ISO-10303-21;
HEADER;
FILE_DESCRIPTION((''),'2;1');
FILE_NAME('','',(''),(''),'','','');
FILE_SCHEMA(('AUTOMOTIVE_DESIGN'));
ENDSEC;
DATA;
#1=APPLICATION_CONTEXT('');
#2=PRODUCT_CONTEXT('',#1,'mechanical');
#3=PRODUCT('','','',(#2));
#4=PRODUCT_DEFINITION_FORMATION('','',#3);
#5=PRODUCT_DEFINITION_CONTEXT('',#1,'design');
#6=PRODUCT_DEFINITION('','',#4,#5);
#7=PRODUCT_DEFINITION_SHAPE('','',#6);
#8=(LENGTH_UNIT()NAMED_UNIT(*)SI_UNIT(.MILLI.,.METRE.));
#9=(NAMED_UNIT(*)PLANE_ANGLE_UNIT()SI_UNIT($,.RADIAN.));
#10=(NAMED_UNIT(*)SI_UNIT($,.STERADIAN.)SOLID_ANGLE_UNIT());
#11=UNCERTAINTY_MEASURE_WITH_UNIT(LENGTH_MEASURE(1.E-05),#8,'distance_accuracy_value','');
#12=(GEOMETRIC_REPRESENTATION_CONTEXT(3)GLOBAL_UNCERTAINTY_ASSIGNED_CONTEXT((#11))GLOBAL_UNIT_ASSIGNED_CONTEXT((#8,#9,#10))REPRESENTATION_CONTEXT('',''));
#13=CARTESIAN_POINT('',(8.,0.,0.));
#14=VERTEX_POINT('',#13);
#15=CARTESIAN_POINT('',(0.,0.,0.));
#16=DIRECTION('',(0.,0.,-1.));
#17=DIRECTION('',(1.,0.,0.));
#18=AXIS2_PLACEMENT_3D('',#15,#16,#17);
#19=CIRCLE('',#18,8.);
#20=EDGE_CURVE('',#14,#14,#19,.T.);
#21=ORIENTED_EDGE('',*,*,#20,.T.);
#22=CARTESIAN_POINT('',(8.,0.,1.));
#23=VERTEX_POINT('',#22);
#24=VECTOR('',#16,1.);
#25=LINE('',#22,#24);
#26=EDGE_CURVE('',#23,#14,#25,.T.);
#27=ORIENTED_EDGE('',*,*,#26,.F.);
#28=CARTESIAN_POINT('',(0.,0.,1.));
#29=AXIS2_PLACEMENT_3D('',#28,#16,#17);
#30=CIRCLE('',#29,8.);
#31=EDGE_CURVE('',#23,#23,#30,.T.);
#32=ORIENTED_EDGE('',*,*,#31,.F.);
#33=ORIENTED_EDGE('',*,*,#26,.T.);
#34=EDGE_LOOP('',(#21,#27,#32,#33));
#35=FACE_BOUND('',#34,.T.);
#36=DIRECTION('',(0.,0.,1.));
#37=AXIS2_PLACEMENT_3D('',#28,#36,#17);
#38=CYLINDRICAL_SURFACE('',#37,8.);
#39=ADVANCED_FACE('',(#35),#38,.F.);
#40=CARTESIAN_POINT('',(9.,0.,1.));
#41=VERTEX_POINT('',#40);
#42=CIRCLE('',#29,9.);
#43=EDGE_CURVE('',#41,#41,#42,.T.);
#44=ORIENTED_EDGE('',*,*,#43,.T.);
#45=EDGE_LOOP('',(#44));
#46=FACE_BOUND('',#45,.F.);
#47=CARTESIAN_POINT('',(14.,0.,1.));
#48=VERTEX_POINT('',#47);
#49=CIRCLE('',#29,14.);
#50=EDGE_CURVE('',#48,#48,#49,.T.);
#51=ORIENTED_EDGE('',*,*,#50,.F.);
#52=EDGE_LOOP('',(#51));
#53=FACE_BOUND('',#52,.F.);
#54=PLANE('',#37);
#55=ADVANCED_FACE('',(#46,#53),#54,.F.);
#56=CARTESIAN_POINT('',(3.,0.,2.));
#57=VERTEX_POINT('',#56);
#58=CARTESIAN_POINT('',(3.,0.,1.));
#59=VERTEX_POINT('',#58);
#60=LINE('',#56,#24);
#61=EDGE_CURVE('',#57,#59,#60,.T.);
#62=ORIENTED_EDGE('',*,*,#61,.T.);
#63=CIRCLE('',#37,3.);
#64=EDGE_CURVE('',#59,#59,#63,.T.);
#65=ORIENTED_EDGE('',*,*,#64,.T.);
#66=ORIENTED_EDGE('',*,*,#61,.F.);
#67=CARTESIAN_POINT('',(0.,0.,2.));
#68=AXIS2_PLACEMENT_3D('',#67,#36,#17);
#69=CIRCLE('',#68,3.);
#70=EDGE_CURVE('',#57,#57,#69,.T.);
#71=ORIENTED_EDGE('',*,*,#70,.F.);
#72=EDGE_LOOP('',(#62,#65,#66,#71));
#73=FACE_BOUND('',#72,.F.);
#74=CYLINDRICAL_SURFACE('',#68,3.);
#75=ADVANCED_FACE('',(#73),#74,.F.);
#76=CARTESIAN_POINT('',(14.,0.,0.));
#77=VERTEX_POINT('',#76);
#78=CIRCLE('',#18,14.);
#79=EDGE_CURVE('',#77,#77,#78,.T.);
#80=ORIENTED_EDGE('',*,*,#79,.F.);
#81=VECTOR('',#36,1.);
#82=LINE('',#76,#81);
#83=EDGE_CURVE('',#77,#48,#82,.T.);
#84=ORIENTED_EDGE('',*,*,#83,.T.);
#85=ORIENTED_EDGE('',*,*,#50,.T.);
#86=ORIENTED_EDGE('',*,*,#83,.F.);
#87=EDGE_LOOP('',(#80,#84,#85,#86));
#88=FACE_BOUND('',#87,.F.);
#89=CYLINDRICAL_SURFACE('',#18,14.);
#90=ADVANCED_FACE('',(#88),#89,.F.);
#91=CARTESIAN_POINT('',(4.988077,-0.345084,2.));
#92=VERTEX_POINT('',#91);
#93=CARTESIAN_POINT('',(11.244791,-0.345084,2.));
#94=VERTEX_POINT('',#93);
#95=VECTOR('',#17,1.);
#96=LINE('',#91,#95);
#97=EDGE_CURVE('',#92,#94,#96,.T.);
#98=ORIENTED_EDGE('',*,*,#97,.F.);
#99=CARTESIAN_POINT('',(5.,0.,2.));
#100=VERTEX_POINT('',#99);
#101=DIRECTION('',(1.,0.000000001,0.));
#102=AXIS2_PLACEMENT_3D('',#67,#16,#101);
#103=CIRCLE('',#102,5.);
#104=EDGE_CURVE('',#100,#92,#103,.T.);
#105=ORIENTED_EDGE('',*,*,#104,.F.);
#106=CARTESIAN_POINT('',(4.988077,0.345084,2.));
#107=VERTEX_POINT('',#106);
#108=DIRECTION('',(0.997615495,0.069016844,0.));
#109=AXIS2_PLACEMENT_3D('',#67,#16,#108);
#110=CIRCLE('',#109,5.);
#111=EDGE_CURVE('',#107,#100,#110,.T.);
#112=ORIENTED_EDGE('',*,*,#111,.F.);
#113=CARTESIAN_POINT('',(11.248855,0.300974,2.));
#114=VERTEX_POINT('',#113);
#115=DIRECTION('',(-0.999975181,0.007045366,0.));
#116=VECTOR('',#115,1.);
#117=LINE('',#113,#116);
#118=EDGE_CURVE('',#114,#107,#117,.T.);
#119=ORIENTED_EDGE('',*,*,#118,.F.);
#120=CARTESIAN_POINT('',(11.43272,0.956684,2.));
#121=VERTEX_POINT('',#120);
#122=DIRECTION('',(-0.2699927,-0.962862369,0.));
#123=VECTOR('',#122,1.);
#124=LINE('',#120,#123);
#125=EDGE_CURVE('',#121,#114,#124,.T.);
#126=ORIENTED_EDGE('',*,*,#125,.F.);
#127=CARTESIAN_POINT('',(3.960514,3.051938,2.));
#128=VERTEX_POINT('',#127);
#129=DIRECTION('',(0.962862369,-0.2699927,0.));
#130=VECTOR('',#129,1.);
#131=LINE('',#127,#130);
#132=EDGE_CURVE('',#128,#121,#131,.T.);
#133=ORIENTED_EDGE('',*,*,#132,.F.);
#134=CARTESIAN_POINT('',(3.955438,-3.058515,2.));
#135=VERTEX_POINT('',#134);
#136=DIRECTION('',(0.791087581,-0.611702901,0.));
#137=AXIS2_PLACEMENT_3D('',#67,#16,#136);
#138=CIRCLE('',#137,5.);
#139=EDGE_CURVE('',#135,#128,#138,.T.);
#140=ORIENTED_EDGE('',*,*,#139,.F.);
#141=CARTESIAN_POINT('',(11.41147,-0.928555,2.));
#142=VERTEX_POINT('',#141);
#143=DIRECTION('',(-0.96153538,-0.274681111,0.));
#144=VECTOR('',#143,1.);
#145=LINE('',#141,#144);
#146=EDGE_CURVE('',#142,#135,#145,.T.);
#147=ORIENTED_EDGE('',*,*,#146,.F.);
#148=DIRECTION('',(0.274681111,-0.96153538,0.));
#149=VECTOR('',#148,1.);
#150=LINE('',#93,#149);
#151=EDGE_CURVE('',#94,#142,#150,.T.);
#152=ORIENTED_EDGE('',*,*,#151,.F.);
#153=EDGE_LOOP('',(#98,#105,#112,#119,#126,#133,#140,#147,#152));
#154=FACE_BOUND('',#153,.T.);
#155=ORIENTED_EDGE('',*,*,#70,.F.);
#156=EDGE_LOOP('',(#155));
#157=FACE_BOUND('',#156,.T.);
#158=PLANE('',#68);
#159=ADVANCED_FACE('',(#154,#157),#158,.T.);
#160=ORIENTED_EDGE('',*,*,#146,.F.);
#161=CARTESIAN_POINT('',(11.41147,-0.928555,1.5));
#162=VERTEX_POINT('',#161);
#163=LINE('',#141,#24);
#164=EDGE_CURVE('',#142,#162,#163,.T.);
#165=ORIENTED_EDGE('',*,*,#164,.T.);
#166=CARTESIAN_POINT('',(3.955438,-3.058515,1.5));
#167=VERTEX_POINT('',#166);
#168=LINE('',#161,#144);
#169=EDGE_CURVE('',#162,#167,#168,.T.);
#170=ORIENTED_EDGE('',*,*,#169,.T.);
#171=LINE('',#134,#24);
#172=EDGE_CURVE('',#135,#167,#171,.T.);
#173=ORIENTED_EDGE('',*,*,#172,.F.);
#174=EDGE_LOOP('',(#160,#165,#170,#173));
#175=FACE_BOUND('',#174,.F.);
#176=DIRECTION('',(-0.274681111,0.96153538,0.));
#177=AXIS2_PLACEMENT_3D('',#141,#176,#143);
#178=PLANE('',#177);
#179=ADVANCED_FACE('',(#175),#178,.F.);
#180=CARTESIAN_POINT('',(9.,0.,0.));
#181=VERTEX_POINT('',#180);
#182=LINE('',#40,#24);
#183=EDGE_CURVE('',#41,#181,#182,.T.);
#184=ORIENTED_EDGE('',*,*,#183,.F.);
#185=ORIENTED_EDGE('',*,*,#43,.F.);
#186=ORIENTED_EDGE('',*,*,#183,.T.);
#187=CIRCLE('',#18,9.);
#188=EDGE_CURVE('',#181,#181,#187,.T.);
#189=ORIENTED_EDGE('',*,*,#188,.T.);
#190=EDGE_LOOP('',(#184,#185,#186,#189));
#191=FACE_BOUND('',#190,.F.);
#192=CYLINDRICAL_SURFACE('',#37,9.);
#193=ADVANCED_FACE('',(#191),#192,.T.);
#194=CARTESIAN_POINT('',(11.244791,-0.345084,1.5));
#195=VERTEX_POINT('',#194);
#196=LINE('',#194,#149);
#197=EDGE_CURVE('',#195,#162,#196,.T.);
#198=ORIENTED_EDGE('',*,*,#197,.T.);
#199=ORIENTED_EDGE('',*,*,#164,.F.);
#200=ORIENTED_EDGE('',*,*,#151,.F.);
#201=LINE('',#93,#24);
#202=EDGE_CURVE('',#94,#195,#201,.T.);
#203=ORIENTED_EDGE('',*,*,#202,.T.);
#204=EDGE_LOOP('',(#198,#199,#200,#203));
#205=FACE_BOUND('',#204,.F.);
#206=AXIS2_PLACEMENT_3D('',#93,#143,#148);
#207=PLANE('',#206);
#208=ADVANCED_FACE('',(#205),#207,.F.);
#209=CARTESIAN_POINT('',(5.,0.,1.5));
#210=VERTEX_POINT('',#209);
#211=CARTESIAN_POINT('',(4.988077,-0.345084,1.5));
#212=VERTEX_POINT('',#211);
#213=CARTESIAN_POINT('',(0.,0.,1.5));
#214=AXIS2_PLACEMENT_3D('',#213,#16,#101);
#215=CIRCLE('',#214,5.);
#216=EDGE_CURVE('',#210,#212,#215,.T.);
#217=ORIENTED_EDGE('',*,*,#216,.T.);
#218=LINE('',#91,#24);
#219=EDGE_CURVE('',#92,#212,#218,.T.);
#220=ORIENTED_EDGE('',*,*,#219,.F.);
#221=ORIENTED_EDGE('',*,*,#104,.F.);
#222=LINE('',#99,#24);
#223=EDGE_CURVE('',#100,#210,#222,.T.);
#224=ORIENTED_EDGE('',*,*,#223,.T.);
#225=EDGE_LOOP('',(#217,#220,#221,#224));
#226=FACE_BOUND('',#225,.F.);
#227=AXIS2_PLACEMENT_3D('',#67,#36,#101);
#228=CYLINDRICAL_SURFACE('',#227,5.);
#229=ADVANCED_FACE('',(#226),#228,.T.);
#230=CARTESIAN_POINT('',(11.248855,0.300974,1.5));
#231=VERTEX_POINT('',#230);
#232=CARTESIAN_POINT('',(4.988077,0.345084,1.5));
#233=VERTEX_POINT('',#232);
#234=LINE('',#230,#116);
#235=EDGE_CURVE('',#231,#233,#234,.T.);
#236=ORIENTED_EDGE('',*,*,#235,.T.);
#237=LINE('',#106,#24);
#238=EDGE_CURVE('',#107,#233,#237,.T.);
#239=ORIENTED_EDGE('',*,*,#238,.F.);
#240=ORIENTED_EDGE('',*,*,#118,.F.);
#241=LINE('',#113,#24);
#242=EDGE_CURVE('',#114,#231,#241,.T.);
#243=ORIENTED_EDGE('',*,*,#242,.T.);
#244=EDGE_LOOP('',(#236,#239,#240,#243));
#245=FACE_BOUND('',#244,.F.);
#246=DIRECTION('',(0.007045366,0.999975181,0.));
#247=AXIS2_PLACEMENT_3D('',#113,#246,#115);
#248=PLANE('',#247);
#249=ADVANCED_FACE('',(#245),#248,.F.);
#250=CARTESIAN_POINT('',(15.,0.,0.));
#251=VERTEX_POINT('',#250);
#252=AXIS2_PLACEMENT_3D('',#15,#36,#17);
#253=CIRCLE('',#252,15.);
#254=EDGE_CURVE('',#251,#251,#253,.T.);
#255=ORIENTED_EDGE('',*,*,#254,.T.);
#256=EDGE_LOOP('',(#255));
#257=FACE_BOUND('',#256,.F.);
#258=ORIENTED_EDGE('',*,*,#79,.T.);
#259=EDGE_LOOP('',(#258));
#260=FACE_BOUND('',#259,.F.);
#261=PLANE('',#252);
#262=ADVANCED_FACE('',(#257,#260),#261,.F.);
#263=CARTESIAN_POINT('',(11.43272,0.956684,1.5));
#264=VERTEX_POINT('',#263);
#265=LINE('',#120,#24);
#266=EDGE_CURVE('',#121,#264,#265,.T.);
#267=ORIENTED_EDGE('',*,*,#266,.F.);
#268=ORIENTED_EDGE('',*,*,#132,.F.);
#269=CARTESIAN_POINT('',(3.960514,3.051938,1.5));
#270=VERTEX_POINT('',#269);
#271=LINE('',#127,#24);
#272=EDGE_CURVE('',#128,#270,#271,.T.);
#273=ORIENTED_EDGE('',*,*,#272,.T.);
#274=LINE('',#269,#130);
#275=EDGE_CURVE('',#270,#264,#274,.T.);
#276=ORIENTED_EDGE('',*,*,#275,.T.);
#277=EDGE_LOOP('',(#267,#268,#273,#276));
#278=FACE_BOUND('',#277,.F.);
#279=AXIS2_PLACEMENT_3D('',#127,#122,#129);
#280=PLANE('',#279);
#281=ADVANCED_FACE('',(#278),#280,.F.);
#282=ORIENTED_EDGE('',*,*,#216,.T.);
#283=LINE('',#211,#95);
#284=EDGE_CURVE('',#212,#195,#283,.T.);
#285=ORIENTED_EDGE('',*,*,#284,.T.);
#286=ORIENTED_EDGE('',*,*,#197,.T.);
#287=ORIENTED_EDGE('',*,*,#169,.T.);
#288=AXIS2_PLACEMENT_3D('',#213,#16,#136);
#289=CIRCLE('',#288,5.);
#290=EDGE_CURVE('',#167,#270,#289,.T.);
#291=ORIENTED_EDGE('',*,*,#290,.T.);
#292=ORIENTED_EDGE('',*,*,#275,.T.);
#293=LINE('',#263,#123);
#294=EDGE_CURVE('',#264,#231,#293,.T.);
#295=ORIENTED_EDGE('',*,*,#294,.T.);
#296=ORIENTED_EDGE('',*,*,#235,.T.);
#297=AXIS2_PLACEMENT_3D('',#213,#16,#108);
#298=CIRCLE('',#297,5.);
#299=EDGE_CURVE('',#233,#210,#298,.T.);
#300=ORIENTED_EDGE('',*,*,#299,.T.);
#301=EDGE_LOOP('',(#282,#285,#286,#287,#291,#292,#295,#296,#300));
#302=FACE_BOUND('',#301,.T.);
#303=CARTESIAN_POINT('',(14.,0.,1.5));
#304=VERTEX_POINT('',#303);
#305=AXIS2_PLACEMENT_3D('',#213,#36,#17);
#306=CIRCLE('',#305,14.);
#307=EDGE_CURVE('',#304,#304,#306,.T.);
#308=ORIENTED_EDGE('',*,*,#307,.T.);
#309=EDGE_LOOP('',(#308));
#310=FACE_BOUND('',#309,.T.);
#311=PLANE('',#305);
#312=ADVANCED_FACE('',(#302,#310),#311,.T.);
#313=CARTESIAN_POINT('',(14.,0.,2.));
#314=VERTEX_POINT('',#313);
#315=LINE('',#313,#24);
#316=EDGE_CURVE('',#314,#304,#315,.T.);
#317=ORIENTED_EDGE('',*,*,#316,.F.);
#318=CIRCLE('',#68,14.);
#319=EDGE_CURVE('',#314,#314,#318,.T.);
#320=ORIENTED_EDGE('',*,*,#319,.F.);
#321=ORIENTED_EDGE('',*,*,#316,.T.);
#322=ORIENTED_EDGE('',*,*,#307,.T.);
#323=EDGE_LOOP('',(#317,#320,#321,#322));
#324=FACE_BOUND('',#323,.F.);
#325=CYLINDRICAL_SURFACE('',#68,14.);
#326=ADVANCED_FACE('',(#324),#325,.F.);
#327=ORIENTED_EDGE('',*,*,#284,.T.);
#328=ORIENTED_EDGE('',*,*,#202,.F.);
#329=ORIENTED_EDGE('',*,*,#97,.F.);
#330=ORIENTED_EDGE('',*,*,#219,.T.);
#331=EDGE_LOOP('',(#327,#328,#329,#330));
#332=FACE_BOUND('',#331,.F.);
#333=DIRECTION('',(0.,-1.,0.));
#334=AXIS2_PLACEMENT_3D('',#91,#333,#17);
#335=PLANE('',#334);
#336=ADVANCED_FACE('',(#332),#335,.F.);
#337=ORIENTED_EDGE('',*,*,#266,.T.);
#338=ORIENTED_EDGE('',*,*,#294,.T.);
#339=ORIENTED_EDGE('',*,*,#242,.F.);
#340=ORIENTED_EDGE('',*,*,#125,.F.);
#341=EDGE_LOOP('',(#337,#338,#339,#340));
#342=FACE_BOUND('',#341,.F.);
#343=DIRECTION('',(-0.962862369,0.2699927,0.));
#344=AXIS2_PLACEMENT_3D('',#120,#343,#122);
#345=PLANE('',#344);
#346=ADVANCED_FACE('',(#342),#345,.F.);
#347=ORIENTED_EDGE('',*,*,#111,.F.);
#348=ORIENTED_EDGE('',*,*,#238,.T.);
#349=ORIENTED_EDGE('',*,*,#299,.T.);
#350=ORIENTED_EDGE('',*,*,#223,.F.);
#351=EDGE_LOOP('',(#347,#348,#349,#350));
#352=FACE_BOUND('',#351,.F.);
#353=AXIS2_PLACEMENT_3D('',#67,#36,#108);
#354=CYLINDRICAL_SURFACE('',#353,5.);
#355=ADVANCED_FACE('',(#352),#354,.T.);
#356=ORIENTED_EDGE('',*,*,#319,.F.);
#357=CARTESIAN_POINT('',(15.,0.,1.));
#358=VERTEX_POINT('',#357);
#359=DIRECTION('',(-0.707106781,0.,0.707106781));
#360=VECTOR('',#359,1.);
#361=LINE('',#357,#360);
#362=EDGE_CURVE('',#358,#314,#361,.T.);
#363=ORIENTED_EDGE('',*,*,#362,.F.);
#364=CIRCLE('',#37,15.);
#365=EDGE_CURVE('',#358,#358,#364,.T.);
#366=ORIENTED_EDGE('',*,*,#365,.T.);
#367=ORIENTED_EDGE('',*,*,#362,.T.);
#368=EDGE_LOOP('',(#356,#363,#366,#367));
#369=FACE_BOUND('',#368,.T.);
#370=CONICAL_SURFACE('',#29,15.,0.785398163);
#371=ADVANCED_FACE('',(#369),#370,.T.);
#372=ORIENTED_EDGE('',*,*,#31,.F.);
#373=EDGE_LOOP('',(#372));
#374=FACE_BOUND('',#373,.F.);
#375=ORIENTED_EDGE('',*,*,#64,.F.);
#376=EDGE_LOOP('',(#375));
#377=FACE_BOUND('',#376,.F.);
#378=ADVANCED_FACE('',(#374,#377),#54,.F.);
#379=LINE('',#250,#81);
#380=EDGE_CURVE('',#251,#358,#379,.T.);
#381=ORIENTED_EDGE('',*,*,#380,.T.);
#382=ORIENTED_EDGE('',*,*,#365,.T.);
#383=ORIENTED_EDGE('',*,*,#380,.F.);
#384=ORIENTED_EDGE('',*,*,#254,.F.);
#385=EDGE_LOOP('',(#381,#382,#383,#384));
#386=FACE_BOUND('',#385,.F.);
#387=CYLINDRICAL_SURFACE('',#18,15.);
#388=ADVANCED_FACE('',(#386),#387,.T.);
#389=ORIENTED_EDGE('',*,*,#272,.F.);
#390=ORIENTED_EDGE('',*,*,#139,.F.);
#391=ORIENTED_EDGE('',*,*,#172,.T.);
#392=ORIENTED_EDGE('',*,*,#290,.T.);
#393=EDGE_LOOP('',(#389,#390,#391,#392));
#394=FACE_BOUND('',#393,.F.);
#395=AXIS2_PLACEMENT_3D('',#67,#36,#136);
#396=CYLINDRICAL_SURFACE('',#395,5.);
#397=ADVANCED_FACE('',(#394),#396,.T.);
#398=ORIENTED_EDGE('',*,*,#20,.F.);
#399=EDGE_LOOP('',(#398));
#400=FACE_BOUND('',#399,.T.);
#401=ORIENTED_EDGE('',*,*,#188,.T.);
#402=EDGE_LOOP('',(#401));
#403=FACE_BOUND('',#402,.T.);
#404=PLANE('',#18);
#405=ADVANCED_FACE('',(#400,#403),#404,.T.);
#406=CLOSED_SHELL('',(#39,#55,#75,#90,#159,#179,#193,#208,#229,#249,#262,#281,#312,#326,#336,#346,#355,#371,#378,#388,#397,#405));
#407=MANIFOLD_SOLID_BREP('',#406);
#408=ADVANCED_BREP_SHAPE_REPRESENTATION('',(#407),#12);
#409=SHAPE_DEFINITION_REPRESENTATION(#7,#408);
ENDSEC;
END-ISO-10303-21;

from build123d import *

# Parameters (mm, degrees)
F0_R      = 15
F1_DEPTH  = 2
F2_R      = 14
F3_DEPTH  = 1
F4_SIZE   = 1
F5_R      = 4
F6_DEPTH  = 25
F8_R      = 14
F9_DEPTH  = 0.5
F10_R     = 4
F10_R_2   = 3
F11_DEPTH = 1
F12_R     = 9
F12_R_2   = 8
F13_DEPTH = 1


with BuildPart() as f1:
    # F0 (on Top) → F1 (new body)
    with BuildSketch(Plane.XY):
        Circle(F0_R)
    extrude(amount=F1_DEPTH)

    # F2 (on face) → F3 (cut)
    with BuildSketch(Plane(origin=(0, 0, 0), x_dir=(1, 0, 0), z_dir=(0, 0, -1))):
        Circle(F2_R)
    extrude(amount=-F3_DEPTH, mode=Mode.SUBTRACT)

    # F4
    f4_edges = [f1.edges().sort_by_distance(p)[0] for p in [
        (-15, 0, 2),
    ]]
    chamfer(f4_edges, length=F4_SIZE)

    # F5 (on face) → F6 (cut)
    with BuildSketch(Plane.XY.offset(2)):
        Circle(F5_R)
    extrude(amount=-F6_DEPTH, mode=Mode.SUBTRACT)

    # F8 (on face) → F9 (cut)
    with BuildSketch(Plane.XY.offset(2)):
        Circle(F8_R)
        with BuildLine():
            ThreePointArc((4.9880774736, 0.3450842174), (4.9970184795, 0.1726450576), (5, 0))
            ThreePointArc((5, 0), (4.9970184795, -0.1726450576), (4.9880774736, -0.3450842174))
            Line((4.9880774736, -0.3450842174), (11.2447906452, -0.3450842174))
            Line((11.2447906452, -0.3450842174), (11.4114703611, -0.9285551496))
            Line((11.4114703611, -0.9285551496), (3.955437905, -3.0585145054))
            ThreePointArc((3.955437905, -3.0585145054), (-4.9999982746, 0.00415382), (3.9605142509, 3.0519382151))
            Line((3.9605142509, 3.0519382151), (11.4327203482, 0.956684351))
            Line((11.4327203482, 0.956684351), (11.2488549203, 0.3009736538))
            Line((11.2488549203, 0.3009736538), (4.9880774736, 0.3450842174))
        make_face(mode=Mode.SUBTRACT)
    extrude(amount=-F9_DEPTH, mode=Mode.SUBTRACT)

    # F10 (on face) → F11 (join)
    with BuildSketch(Plane.XY.offset(2)):
        Circle(F10_R)
        Circle(F10_R_2, mode=Mode.SUBTRACT)
    extrude(amount=-F11_DEPTH)

    # F12 (on face) → F13 (join)
    with BuildSketch(Plane(origin=(0, 0, 1), x_dir=(1, 0, 0), z_dir=(0, 0, -1))):
        Circle(F12_R)
        Circle(F12_R_2, mode=Mode.SUBTRACT)
    extrude(amount=F13_DEPTH)


solid = f1.part
